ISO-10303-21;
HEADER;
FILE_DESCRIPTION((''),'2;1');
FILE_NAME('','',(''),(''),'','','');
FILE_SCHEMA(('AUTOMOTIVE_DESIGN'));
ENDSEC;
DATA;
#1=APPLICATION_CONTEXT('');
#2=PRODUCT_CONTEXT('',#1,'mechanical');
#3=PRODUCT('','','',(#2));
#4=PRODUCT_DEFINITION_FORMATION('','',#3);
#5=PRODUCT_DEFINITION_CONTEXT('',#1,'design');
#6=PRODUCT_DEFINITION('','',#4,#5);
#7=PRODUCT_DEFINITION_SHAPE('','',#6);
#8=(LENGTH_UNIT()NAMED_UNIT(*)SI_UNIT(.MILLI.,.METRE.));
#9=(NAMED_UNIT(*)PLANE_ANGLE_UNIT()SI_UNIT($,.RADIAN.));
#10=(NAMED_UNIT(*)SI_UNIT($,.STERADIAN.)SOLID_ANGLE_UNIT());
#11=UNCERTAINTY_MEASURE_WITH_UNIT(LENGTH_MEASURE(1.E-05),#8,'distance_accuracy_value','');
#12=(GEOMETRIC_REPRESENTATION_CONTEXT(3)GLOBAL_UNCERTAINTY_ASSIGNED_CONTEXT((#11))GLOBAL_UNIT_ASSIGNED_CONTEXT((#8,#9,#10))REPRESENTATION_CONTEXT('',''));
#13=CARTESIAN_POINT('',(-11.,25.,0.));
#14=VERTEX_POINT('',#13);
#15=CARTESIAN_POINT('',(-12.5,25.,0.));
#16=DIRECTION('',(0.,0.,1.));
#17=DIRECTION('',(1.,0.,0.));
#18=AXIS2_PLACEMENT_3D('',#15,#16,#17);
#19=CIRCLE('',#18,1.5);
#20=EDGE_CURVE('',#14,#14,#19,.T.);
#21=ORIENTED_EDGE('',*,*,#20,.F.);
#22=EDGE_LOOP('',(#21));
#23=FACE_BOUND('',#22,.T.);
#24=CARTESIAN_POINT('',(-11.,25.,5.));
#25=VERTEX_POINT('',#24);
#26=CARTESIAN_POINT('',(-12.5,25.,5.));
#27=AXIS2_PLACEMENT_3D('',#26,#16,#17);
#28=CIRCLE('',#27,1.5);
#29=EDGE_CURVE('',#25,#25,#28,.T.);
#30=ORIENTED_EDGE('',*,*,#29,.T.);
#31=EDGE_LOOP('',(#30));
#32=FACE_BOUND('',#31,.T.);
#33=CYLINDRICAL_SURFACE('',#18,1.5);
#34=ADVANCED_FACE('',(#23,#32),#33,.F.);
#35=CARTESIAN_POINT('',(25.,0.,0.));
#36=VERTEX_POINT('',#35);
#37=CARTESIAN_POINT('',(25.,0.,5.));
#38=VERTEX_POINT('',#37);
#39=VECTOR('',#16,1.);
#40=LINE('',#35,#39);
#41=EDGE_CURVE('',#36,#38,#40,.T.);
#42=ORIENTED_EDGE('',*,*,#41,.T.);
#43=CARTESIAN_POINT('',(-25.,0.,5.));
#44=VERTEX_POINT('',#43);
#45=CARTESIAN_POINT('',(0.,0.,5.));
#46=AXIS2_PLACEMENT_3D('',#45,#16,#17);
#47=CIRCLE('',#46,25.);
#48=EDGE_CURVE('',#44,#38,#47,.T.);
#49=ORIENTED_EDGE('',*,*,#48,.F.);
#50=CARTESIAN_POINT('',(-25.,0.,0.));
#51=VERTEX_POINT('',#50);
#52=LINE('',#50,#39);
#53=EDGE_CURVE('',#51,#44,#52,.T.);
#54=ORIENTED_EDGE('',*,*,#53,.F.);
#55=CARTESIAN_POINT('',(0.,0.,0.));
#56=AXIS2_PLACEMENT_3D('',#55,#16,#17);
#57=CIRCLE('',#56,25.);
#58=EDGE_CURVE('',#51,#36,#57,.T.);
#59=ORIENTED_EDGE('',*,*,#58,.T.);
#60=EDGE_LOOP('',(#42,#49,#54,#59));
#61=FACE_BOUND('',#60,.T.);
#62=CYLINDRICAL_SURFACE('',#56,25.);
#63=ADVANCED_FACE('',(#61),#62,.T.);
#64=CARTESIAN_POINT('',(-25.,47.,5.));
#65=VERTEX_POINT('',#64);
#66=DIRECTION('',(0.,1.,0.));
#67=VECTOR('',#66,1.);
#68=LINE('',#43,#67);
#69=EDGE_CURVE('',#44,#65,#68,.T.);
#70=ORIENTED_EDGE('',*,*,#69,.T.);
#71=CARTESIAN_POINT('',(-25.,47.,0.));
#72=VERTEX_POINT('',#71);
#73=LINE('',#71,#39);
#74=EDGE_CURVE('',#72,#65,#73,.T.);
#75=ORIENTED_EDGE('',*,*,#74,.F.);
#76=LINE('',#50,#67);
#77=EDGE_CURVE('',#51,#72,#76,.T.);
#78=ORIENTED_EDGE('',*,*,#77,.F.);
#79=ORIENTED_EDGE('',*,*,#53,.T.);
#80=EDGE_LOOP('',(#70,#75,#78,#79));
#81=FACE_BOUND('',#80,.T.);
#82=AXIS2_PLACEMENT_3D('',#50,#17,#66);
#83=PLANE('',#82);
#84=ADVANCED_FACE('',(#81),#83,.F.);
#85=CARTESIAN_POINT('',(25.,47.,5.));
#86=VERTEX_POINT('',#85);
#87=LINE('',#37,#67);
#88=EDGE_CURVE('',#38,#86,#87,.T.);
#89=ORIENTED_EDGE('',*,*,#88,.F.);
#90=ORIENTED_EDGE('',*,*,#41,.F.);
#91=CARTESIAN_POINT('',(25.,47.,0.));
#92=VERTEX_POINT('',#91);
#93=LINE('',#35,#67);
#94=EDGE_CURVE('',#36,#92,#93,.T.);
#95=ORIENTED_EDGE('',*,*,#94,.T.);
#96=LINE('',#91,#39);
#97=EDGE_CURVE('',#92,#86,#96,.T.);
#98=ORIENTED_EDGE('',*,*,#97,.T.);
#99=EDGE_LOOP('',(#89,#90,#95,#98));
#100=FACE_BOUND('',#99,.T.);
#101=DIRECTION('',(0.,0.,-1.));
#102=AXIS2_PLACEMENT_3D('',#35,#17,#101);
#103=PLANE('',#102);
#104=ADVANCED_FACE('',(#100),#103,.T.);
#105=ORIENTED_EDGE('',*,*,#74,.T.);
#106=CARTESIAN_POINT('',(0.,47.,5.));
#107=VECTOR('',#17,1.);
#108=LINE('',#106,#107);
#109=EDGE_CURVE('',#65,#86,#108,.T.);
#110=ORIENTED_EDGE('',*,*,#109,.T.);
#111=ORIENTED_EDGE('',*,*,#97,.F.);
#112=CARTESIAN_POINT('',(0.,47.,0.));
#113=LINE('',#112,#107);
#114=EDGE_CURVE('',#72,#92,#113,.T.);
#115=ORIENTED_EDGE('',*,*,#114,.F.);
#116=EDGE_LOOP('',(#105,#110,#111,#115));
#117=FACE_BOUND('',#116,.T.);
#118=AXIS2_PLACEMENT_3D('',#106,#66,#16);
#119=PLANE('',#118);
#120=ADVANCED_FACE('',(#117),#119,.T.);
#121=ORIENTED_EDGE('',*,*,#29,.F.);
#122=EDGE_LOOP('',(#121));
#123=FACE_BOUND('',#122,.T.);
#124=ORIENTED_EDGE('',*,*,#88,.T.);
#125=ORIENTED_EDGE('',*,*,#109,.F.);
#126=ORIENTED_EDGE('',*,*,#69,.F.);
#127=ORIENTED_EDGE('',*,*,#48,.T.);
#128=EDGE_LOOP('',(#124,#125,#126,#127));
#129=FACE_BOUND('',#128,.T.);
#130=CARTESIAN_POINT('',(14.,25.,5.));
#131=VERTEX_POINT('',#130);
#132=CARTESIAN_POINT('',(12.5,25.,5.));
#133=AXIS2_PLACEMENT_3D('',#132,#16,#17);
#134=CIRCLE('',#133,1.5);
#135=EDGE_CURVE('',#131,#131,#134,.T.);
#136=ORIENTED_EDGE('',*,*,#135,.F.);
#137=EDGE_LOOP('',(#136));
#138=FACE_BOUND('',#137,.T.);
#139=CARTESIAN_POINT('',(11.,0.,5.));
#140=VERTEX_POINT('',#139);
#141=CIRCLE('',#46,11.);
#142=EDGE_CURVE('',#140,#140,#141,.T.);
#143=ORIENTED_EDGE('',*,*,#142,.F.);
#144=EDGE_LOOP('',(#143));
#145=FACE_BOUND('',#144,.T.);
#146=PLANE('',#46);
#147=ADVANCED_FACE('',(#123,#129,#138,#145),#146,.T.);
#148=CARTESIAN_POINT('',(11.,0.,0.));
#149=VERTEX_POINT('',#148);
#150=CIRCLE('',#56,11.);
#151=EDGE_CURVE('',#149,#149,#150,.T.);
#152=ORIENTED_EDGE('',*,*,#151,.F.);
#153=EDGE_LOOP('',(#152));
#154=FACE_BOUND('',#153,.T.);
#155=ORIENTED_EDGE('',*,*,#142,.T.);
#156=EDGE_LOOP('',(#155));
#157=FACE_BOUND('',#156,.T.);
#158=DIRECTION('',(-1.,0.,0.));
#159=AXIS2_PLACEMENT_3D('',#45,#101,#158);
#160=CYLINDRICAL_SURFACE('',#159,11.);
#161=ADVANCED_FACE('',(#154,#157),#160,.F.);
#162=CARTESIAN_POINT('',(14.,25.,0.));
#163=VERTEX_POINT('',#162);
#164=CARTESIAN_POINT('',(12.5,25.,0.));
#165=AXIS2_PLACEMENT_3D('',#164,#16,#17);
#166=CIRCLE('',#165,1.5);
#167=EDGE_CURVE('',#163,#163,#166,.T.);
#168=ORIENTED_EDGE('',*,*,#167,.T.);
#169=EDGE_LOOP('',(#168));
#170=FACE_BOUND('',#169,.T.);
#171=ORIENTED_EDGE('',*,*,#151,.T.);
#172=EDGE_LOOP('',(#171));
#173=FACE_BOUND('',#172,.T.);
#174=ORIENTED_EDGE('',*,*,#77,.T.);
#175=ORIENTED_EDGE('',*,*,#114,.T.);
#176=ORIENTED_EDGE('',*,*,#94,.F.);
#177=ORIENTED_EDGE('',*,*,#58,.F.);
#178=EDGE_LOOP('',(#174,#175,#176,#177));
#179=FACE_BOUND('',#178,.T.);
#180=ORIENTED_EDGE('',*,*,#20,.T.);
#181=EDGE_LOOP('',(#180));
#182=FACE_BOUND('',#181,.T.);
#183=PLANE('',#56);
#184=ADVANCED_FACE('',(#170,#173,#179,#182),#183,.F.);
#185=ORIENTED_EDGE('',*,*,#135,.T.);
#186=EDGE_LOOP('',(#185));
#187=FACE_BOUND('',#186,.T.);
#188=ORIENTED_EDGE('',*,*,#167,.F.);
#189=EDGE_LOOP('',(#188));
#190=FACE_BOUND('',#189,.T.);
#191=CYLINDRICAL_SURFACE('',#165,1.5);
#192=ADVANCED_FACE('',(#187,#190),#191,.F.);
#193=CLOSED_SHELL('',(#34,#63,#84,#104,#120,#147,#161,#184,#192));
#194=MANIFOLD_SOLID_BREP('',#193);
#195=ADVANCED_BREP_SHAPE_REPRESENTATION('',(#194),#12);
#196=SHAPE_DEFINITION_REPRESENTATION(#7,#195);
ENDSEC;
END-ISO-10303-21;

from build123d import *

# Parameters (mm, degrees)
ESQUISSE1_W             = 94
ESQUISSE1_H             = 93.807810261
ESQUISSE1_R             = 11
BOSS_EXTRU_1_DEPTH      = 5
ESQUISSE2_R             = 1.5
ENL_V_MAT_EXTRU_1_DEPTH = 67.655832453


with BuildPart() as part:
    # Esquisse1 → Boss.-Extru.1 (new body)
    with BuildSketch(Plane.XY):
        with Locations((0, 0.096094869)):
            Rectangle(ESQUISSE1_W, ESQUISSE1_H)
        Circle(ESQUISSE1_R, mode=Mode.SUBTRACT)
    extrude(amount=BOSS_EXTRU_1_DEPTH)

    # Esquisse2 → Enlèv. mat.-Extru.1 (cut, through all)
    with BuildSketch(Plane.XY.offset(5)):
        with BuildLine():
            Line((25, 47), (25, 0))
            ThreePointArc((25, 0), (0, -25), (-25, 0))
            Line((-25, 0), (-25, 47))
            Line((-25, 47), (-47, 47))
            Line((-47, 47), (-47, -46.807810261))
            Line((-47, -46.807810261), (47, -46.807810261))
            Line((47, -46.807810261), (47, 47))
            Line((47, 47), (25, 47))
        make_face()
        with Locations((-12.5, 25)):
            Circle(ESQUISSE2_R)
        with Locations((12.5, 25)):
            Circle(ESQUISSE2_R)
    extrude(amount=-ENL_V_MAT_EXTRU_1_DEPTH, mode=Mode.SUBTRACT)


solid = part.part
